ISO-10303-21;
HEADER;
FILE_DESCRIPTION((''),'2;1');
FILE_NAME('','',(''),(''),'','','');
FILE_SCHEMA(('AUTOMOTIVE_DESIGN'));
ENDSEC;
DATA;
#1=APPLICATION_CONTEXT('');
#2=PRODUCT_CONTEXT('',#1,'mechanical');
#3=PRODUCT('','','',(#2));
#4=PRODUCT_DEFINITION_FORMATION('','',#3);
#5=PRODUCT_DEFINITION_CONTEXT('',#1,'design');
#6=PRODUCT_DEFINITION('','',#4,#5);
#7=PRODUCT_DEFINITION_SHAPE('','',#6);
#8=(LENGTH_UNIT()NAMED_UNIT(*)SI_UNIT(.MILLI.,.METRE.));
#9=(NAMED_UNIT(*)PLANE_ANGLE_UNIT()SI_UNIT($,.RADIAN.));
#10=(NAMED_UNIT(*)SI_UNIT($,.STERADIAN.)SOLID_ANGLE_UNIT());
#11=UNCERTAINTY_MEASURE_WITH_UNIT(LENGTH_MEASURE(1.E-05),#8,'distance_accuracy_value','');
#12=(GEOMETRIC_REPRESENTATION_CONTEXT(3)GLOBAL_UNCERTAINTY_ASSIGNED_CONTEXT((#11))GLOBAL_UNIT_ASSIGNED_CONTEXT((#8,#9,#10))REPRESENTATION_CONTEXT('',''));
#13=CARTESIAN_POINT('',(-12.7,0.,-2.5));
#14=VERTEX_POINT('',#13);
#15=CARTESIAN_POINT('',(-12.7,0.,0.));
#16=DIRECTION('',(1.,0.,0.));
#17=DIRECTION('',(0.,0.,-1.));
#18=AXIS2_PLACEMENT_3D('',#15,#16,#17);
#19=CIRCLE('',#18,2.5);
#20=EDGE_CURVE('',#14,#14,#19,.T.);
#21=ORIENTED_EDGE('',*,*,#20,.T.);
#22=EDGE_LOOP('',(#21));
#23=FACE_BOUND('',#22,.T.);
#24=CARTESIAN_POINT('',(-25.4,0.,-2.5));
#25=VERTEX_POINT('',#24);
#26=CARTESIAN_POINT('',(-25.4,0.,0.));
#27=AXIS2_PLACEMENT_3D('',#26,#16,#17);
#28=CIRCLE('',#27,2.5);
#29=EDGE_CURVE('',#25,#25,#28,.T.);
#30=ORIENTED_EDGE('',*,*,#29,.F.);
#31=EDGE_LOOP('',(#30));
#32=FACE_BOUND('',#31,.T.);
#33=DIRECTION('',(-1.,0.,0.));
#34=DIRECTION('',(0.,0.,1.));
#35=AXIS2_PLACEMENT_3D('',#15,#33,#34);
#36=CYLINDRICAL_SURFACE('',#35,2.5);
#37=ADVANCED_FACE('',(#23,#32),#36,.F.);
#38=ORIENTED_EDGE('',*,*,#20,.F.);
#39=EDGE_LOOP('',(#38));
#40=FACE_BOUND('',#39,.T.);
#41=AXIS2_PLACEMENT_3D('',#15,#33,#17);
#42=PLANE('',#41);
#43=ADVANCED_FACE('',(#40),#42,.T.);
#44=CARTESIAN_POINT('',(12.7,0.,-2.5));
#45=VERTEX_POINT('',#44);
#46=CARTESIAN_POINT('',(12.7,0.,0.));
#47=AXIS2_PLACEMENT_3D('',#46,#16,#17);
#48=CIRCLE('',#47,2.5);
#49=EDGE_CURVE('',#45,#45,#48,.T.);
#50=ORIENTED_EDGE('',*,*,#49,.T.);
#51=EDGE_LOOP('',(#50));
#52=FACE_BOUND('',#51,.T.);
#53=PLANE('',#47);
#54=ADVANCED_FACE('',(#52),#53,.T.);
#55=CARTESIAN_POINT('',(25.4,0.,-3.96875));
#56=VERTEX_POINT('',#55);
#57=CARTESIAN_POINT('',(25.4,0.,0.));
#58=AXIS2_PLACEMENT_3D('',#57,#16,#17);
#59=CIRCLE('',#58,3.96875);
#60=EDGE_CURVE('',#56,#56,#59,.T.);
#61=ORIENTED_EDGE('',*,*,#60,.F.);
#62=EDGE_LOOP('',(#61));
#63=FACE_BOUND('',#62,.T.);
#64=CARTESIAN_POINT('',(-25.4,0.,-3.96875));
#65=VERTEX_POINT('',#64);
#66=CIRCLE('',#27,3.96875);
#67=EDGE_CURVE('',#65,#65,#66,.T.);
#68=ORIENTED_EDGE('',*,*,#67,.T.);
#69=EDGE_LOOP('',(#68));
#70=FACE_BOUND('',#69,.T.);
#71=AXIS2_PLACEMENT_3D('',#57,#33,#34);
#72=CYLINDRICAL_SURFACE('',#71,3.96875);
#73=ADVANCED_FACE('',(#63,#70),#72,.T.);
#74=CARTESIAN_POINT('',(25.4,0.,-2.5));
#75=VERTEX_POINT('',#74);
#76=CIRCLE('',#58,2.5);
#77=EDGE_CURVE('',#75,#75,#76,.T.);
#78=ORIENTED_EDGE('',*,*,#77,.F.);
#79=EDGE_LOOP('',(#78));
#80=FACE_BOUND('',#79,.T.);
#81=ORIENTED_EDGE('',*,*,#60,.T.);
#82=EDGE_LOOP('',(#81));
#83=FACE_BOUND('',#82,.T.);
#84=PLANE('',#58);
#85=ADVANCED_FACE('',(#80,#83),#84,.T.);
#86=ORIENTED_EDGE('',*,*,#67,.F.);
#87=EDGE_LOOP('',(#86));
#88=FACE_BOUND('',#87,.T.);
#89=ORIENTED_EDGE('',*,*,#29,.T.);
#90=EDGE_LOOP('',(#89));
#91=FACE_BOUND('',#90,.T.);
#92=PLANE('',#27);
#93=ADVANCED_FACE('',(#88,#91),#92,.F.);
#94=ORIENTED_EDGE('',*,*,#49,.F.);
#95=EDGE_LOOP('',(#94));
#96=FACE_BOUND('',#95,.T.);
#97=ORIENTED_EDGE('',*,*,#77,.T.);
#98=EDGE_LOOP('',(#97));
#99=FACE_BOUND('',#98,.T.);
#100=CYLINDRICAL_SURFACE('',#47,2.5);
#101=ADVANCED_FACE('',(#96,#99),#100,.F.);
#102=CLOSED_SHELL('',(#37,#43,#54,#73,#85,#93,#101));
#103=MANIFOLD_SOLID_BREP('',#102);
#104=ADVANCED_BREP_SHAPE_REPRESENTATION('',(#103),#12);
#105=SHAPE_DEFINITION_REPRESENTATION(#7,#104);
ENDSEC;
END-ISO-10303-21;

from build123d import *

# Parameters (mm, degrees)
SKETCH1_R           = 3.96875
BOSS_EXTRUDE1_DEPTH = 25.4
SKETCH2_R           = 2.5
CUT_EXTRUDE1_DEPTH  = 12.7


with BuildPart() as part:
    # Sketch1 → Boss-Extrude1 (new body, symmetric)
    with BuildSketch(Plane(origin=(0, 0, 0), x_dir=(0, 0, -1), z_dir=(1, 0, 0))):
        Circle(SKETCH1_R)
    extrude(amount=BOSS_EXTRUDE1_DEPTH, both=True)

    # Sketch2 → Cut-Extrude1 (cut)
    with BuildSketch(Plane(origin=(25.4, 0, 0), x_dir=(0, 0, -1), z_dir=(1, 0, 0))):
        Circle(SKETCH2_R)
    cut_extrude1 = extrude(amount=-CUT_EXTRUDE1_DEPTH, mode=Mode.SUBTRACT)

    # Mirror1: Cut-Extrude1 across plane
    add(cut_extrude1.mirror(Plane(origin=(0, 0, 0), x_dir=(0, 0, 1), z_dir=(1, 0, 0))), mode=Mode.SUBTRACT)


solid = part.part
